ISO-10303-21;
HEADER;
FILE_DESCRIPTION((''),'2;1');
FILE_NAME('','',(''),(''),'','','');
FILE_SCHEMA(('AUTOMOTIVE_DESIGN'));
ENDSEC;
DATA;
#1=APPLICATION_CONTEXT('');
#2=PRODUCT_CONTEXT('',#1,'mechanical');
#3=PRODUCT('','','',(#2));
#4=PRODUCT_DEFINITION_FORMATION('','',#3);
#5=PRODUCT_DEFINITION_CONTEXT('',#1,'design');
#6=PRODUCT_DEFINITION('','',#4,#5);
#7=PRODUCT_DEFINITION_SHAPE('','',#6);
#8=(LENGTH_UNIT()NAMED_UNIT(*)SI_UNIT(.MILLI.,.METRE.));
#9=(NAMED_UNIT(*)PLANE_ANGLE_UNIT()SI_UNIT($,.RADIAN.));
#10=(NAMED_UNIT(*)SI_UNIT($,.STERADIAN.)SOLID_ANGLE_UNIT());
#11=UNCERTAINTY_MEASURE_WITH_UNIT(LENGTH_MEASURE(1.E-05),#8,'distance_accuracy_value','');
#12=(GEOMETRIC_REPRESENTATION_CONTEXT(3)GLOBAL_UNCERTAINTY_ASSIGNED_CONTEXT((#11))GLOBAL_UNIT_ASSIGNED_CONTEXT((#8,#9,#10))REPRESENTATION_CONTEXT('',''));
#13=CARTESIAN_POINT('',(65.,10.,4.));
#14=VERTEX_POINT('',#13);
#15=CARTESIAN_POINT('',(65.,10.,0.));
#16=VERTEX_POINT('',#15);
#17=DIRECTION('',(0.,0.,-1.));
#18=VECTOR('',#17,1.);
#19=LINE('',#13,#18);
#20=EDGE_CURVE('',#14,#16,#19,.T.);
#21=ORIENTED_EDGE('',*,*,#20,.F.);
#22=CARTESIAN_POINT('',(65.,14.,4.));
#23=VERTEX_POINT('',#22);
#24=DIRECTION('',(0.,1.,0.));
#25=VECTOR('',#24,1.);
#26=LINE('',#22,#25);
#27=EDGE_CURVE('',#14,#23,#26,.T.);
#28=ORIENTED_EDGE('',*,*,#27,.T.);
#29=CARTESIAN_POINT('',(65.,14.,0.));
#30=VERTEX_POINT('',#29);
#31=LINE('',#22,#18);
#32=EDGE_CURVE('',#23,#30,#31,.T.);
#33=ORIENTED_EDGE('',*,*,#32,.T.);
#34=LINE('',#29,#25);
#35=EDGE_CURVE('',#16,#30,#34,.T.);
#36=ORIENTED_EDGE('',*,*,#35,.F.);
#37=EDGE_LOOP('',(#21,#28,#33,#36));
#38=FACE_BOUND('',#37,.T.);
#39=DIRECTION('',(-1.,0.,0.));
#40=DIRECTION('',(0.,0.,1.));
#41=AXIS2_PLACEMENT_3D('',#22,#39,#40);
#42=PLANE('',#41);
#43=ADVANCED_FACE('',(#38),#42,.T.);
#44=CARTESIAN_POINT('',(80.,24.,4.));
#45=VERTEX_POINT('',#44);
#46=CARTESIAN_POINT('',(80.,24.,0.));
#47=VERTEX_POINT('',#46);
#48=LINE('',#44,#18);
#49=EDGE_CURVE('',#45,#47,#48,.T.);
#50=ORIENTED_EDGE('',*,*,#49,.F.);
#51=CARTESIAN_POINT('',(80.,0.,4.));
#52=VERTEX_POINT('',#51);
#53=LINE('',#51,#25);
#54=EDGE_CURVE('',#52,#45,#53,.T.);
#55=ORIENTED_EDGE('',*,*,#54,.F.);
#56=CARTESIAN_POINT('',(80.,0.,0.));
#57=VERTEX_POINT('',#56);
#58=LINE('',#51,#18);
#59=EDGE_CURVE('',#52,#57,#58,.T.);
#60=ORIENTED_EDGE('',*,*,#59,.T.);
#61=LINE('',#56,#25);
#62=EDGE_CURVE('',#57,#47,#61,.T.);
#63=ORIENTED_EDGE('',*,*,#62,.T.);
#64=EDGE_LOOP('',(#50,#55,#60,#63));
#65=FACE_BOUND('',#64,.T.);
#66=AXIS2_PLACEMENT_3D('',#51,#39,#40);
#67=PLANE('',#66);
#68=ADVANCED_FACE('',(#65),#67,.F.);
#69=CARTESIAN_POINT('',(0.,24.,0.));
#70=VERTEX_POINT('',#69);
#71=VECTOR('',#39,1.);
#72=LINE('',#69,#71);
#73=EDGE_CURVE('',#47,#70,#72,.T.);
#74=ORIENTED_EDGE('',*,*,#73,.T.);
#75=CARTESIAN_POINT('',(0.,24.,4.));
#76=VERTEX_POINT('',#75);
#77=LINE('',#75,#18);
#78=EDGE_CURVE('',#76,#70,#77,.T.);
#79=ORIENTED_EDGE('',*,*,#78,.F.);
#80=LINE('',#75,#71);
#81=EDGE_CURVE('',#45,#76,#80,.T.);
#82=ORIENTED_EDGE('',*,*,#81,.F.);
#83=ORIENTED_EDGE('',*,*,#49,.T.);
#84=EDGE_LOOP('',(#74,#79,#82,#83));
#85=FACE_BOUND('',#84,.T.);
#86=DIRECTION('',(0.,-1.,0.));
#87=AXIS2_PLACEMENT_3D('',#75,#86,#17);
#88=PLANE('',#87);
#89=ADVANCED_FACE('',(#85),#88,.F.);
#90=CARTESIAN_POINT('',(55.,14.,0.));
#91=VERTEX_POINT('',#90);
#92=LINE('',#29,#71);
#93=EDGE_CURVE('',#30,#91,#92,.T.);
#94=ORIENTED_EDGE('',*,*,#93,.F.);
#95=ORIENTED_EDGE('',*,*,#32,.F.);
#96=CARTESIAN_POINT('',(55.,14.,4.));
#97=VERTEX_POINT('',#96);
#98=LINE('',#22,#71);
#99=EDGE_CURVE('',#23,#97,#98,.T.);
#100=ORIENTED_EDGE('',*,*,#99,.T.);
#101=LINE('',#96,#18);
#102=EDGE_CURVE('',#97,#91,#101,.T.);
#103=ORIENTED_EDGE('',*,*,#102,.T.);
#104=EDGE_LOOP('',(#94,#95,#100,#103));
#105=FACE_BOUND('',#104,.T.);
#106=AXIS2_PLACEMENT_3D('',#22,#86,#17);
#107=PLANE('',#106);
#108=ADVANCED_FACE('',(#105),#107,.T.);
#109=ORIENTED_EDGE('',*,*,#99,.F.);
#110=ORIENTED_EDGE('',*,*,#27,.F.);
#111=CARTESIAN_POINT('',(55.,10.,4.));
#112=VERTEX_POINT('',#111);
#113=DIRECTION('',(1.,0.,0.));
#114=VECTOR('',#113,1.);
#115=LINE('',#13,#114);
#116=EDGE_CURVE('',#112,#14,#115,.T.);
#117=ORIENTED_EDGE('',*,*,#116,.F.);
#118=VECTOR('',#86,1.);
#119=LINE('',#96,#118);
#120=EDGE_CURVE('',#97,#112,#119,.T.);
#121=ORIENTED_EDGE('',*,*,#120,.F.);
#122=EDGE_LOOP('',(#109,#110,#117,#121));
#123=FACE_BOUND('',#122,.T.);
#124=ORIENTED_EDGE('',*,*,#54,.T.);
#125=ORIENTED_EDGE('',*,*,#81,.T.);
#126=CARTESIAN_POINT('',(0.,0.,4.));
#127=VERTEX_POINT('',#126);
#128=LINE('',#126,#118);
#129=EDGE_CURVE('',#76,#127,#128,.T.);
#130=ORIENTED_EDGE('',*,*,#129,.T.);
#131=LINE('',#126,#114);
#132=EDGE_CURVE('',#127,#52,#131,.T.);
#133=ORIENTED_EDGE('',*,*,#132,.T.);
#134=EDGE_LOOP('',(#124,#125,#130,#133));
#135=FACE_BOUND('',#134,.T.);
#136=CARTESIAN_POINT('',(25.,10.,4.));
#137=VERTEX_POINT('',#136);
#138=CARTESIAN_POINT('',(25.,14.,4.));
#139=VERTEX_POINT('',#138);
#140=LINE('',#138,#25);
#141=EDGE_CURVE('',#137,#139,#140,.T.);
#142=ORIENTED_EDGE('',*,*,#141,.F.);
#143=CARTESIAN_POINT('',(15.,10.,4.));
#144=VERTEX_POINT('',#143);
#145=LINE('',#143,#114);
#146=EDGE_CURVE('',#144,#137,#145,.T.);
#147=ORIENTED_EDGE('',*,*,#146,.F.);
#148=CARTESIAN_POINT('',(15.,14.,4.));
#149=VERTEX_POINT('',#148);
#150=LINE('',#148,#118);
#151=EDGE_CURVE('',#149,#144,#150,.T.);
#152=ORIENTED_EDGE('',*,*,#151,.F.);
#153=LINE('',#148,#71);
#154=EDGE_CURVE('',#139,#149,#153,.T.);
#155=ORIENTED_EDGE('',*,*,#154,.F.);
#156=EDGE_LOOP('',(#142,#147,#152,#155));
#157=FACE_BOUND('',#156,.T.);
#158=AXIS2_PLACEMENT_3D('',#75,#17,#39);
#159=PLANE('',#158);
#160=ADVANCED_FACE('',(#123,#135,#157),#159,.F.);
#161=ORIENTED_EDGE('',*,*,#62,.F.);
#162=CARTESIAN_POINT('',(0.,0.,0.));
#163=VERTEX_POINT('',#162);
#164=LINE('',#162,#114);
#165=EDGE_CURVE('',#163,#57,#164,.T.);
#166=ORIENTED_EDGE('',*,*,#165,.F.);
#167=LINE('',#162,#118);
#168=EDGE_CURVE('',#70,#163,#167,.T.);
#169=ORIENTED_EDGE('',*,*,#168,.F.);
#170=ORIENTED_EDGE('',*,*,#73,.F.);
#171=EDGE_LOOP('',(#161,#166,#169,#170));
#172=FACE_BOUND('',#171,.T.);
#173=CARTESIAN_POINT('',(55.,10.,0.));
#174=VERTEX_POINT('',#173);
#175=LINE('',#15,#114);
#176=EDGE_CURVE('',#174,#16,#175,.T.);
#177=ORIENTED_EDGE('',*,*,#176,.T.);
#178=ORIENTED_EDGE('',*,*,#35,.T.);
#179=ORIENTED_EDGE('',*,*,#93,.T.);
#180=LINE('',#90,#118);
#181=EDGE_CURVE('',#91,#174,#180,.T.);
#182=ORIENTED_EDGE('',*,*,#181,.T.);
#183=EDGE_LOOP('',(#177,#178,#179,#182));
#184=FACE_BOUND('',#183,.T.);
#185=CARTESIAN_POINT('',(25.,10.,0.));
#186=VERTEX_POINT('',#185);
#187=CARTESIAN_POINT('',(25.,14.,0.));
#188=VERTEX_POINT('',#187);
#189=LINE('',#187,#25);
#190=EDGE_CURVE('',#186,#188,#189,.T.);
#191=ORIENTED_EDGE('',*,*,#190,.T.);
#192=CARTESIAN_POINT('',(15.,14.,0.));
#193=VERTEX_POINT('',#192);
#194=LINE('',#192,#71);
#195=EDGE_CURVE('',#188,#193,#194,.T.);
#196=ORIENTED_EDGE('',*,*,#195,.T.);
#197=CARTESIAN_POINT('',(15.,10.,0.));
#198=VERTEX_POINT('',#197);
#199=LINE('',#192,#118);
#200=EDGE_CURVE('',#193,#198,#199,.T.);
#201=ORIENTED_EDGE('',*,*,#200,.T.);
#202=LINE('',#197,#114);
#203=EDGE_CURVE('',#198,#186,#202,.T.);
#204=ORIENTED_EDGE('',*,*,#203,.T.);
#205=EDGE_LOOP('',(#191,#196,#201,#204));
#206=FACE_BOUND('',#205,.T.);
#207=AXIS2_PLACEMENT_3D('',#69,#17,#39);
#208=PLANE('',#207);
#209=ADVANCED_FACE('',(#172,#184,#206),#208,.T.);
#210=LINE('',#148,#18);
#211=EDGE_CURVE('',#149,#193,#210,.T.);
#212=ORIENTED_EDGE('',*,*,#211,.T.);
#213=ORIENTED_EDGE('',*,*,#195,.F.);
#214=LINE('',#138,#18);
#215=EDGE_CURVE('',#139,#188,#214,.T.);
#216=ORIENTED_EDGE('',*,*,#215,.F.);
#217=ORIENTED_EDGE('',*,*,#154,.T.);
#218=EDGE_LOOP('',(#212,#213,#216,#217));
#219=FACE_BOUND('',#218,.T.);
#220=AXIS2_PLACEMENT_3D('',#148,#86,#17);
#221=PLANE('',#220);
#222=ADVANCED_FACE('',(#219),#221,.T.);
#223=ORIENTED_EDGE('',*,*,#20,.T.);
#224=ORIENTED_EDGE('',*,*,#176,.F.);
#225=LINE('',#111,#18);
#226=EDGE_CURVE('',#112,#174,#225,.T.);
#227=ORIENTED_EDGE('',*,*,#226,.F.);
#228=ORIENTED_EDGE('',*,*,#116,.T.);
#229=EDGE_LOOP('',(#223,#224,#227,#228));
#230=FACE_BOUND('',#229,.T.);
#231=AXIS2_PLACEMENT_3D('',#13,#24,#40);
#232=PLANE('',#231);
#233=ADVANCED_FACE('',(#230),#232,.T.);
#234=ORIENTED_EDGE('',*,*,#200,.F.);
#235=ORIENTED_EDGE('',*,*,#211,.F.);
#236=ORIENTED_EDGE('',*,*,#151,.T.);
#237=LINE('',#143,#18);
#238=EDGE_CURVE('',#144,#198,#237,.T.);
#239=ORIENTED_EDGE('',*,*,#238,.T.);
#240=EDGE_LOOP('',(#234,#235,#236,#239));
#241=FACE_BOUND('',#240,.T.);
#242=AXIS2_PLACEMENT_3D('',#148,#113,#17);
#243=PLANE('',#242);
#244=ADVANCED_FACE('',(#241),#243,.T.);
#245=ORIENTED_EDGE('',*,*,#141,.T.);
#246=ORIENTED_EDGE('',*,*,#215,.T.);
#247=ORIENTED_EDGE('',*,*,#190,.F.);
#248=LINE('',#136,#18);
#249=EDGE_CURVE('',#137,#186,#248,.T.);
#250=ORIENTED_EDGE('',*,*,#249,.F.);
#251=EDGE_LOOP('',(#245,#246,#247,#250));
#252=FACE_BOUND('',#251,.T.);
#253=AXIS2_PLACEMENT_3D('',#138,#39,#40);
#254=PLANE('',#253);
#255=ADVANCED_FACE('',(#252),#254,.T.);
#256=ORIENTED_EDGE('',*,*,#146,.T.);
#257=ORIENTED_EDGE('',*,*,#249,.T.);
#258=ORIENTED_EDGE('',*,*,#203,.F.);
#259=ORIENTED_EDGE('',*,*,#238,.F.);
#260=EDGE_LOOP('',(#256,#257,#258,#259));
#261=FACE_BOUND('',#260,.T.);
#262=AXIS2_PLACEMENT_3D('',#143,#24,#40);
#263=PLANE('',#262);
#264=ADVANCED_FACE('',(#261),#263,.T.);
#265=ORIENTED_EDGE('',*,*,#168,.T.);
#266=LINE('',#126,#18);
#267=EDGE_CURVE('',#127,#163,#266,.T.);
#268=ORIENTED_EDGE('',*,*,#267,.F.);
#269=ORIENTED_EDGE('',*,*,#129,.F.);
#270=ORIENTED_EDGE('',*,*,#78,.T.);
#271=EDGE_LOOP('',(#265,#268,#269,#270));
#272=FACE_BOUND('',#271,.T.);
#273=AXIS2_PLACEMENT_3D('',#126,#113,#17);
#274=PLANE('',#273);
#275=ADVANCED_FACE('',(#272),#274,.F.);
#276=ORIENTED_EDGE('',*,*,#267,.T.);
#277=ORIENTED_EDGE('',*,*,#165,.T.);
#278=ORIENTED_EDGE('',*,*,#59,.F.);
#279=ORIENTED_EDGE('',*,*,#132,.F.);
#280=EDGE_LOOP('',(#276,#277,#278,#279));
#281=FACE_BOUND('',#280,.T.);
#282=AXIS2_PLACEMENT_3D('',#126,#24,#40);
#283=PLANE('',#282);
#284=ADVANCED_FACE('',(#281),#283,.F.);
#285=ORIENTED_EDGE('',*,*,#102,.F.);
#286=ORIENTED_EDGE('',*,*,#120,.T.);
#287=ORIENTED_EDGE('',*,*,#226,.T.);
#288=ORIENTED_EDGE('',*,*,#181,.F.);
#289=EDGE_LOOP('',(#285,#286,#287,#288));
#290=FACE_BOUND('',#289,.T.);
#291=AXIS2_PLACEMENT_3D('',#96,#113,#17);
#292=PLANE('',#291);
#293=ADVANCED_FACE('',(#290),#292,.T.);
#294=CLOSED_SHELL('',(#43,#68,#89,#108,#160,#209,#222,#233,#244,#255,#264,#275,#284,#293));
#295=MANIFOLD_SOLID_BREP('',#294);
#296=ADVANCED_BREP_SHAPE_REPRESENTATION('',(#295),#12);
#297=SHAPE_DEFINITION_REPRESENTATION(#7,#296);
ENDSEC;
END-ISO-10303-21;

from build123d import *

# Parameters (mm, degrees)
SKETCH1_W           = 80
SKETCH1_H           = 24
SKETCH1_W_2         = 10
SKETCH1_H_2         = 4
BOSS_EXTRUDE1_DEPTH = 4


with BuildPart() as part:
    # Sketch1 → Boss-Extrude1 (new body)
    with BuildSketch(Plane.XY):
        with Locations((40, 12)):
            Rectangle(SKETCH1_W, SKETCH1_H)
        with Locations((20, 12)):
            Rectangle(SKETCH1_W_2, SKETCH1_H_2, mode=Mode.SUBTRACT)
        with Locations((60, 12)):
            Rectangle(SKETCH1_W_2, SKETCH1_H_2, mode=Mode.SUBTRACT)
    extrude(amount=BOSS_EXTRUDE1_DEPTH)


solid = part.part
